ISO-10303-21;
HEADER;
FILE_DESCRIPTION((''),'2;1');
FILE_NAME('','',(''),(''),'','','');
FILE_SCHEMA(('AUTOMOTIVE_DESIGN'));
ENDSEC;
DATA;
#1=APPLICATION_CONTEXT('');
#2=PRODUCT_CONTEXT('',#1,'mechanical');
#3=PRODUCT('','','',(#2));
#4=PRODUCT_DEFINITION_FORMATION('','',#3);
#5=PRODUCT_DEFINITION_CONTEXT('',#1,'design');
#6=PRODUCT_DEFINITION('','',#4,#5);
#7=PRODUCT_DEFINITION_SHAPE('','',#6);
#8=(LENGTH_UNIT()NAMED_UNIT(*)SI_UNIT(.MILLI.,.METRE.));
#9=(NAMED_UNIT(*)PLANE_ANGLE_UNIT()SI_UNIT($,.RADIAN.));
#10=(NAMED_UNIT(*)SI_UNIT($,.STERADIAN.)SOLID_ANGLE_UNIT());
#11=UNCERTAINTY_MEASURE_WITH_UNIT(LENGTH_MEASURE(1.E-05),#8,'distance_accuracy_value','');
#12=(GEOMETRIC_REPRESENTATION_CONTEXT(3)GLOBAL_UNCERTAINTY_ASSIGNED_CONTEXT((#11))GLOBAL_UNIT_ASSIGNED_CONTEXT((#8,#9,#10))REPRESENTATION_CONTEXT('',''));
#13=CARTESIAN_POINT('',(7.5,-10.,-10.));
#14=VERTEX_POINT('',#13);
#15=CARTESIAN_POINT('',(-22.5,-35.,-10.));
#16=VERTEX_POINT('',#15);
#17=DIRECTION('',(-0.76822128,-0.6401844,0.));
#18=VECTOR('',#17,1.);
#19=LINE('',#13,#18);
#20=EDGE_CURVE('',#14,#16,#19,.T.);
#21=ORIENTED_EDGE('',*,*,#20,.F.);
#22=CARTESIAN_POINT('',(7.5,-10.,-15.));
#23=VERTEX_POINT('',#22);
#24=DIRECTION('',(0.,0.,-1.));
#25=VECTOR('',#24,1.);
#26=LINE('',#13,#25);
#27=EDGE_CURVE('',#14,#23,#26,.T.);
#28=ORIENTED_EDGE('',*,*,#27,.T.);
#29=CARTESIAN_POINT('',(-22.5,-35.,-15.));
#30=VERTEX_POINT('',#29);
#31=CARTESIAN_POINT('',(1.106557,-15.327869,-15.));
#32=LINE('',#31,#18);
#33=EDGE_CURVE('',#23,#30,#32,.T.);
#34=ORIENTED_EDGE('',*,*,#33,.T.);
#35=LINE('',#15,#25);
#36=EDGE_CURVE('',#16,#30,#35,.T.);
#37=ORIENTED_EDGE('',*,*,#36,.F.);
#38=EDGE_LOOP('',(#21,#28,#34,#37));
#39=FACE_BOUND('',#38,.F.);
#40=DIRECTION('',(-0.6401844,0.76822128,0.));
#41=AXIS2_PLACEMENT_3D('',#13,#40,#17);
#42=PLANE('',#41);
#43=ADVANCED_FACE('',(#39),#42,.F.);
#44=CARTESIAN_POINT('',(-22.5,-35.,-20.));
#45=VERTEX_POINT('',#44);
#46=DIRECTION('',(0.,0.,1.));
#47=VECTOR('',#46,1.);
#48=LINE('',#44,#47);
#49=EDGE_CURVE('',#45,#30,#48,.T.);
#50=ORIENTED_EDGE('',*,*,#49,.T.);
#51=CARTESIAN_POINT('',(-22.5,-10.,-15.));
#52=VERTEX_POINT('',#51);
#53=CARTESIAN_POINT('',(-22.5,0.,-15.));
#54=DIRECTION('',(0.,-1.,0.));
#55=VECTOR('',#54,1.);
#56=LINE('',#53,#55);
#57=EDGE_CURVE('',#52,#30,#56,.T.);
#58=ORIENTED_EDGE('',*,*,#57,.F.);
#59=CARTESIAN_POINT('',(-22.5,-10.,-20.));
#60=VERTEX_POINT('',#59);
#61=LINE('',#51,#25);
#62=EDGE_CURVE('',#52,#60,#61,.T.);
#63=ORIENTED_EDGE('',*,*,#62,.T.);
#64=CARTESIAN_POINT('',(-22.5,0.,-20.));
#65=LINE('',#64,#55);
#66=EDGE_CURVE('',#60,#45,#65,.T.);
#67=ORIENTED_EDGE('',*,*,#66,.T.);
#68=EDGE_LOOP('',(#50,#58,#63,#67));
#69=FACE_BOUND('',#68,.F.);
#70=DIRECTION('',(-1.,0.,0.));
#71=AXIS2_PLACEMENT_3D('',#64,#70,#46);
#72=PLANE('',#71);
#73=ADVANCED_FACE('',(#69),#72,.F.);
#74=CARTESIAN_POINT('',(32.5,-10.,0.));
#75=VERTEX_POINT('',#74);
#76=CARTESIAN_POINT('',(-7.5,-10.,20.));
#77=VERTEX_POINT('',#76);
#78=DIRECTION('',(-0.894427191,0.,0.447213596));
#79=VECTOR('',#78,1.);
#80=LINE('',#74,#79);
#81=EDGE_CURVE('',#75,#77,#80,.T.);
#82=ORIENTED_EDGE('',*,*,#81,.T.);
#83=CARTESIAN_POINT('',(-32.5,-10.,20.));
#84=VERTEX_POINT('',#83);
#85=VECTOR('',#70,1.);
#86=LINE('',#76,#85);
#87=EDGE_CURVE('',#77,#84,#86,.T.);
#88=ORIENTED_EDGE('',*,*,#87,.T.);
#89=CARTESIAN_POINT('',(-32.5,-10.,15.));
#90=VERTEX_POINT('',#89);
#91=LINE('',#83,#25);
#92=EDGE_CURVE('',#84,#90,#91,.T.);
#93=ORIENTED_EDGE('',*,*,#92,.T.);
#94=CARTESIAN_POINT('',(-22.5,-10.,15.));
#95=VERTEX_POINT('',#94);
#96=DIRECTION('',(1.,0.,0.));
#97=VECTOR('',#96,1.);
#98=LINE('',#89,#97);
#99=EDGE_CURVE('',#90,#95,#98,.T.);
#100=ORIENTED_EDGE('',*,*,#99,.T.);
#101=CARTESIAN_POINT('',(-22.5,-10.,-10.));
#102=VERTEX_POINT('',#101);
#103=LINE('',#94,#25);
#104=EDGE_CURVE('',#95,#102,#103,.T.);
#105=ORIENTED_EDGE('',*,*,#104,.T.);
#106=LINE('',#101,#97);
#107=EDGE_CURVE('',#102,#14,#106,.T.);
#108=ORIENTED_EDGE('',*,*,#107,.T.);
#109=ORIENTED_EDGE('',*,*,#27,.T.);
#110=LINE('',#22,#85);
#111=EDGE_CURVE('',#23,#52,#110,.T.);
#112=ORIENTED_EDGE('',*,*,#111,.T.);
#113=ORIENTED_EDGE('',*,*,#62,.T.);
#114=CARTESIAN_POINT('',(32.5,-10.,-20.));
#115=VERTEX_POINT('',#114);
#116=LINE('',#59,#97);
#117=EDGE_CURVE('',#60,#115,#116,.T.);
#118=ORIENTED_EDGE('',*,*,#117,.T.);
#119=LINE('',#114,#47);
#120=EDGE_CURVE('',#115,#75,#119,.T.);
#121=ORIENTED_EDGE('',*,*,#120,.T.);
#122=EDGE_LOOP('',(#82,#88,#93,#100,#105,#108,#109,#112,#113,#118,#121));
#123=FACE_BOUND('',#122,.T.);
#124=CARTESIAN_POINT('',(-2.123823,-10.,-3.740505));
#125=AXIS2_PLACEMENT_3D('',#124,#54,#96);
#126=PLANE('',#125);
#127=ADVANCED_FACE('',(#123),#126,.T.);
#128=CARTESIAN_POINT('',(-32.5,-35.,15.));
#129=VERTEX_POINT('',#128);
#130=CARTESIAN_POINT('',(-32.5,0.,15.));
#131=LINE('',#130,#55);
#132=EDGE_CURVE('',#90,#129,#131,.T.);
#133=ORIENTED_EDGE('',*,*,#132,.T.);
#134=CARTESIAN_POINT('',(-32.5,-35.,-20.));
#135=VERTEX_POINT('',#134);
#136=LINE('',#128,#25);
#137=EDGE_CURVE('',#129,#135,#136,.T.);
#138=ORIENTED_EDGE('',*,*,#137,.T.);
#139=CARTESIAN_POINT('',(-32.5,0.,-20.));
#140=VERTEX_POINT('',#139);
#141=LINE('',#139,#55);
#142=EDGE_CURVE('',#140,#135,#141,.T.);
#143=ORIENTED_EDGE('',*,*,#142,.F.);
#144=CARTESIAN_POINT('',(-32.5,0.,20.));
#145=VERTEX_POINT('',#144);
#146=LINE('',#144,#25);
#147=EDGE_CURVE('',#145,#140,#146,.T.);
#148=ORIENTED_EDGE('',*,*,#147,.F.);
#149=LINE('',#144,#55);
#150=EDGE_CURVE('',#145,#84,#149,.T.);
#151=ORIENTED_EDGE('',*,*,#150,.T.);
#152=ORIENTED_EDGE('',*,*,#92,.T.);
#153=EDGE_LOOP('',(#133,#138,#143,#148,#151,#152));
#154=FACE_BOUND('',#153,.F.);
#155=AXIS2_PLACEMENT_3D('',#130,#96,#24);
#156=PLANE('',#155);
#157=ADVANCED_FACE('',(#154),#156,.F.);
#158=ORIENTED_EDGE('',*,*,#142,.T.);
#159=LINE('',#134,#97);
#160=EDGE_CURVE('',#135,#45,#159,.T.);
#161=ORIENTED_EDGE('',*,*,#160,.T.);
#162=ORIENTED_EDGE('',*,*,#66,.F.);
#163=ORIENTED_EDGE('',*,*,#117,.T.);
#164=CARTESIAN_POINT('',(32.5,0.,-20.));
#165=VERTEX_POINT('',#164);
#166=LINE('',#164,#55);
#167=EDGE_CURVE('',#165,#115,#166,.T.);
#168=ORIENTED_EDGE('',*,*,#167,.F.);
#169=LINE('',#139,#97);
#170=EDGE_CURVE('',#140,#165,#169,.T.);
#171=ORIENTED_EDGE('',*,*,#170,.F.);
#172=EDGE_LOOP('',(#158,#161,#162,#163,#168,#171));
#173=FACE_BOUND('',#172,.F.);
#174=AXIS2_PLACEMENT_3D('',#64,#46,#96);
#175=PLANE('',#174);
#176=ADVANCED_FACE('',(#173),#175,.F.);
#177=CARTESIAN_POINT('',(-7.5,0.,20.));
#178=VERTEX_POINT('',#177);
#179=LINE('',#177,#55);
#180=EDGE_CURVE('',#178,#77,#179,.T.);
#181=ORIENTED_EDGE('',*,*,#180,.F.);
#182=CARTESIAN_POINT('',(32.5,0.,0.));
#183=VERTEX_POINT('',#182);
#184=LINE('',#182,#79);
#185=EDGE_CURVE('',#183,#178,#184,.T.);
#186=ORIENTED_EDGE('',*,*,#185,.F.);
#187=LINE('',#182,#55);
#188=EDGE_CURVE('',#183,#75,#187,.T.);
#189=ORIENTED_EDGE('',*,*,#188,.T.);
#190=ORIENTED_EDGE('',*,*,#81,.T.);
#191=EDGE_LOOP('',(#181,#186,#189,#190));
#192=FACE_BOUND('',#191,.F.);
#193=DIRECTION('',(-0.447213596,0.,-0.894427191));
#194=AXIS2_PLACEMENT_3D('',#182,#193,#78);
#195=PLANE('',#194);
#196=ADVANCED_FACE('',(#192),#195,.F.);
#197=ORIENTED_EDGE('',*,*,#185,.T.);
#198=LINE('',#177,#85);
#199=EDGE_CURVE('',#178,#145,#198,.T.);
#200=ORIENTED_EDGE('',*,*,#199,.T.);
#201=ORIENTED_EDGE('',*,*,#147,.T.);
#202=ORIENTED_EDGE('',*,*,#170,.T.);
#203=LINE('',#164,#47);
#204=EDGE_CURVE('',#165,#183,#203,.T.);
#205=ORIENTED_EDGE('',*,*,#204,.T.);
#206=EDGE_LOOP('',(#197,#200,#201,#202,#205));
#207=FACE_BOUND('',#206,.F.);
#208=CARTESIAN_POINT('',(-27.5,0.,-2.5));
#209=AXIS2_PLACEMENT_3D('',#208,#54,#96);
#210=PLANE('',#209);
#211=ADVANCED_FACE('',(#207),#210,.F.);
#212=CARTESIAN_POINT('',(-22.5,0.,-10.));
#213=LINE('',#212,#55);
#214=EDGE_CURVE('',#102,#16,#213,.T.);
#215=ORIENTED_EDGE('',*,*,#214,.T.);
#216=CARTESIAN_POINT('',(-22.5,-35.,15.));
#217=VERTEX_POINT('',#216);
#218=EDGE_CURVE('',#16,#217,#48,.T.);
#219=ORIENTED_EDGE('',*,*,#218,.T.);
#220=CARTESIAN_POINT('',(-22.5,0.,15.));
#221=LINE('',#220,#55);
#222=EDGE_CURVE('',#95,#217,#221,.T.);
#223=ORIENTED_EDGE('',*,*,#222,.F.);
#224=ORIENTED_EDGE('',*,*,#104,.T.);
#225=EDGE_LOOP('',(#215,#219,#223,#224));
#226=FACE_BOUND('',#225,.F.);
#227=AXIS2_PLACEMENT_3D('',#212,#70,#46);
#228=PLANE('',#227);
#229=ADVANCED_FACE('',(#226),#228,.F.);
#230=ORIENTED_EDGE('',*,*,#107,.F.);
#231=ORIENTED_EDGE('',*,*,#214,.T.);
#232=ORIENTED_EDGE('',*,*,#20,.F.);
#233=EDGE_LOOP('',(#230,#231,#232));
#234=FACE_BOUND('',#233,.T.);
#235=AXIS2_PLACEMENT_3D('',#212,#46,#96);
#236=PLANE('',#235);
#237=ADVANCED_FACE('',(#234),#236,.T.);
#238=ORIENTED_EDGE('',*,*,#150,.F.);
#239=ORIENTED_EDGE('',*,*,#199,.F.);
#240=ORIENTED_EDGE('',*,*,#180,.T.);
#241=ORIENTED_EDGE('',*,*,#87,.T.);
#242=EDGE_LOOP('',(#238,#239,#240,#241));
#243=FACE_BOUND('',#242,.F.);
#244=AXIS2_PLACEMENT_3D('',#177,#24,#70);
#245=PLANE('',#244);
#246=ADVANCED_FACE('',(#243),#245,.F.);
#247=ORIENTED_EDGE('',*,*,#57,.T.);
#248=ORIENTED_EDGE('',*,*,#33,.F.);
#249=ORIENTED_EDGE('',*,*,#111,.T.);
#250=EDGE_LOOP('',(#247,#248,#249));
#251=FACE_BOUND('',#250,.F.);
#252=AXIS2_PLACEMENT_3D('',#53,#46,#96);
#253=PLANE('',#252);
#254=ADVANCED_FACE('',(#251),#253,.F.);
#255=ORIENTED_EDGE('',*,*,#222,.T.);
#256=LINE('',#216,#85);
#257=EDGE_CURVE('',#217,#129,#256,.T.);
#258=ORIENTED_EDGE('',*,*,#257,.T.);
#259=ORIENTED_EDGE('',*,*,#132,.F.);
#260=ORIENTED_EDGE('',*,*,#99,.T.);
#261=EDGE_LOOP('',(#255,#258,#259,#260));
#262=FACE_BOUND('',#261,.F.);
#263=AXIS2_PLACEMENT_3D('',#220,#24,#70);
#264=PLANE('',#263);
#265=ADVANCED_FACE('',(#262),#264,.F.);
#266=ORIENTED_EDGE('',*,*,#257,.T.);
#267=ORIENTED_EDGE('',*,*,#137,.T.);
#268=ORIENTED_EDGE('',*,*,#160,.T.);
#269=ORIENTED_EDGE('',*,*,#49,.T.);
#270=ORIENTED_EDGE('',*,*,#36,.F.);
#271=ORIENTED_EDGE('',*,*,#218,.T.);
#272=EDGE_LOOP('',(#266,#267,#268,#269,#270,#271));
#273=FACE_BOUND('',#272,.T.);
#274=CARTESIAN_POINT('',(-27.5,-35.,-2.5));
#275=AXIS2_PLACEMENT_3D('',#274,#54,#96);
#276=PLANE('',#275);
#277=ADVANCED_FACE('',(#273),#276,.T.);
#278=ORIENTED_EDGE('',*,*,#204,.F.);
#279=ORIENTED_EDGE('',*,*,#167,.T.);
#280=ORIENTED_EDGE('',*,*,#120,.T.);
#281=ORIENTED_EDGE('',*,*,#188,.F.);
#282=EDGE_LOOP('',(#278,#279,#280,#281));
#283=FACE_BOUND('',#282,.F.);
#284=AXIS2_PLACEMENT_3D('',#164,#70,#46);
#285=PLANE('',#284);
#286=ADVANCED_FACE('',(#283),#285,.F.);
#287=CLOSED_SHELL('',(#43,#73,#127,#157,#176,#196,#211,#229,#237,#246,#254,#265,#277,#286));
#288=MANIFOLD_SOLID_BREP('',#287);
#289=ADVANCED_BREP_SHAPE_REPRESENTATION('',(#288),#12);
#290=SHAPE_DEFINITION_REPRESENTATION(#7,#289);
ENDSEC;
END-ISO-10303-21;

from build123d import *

# Parameters (mm, degrees)
F1_DEPTH = 10
F0_W     = 30
F0_H     = 5
F2_DEPTH = 35
F4_DEPTH = 10.001


with BuildPart() as f1:
    # F0 (on Front) → F1 (new body)
    with BuildSketch(Plane.XZ):
        Polygon((32.5, 0), (-7.5, 20), (-32.5, 20), (-32.5, 15), (-22.5, 15), (-22.5, -10), (7.5, -10), (7.5, -15), (-22.5, -15), (-22.5, -20), (32.5, -20), align=None)
    extrude(amount=F1_DEPTH)

    # F0 (on Front) → F2 (join)
    with BuildSketch(Plane.XZ):
        Polygon((-22.5, 15), (-32.5, 15), (-32.5, -20), (-22.5, -20), (-22.5, -15), (-22.5, -10), align=None)
        with Locations((-7.5, -12.5)):
            Rectangle(F0_W, F0_H)
    extrude(amount=F2_DEPTH)

    # F3 (on face) → F4 (cut, through all)
    with BuildSketch(Plane.XY.offset(-10)):
        Polygon((7.5, -10), (-22.5, -35), (7.5, -35), align=None)
    extrude(amount=-F4_DEPTH, mode=Mode.SUBTRACT)


solid = f1.part
